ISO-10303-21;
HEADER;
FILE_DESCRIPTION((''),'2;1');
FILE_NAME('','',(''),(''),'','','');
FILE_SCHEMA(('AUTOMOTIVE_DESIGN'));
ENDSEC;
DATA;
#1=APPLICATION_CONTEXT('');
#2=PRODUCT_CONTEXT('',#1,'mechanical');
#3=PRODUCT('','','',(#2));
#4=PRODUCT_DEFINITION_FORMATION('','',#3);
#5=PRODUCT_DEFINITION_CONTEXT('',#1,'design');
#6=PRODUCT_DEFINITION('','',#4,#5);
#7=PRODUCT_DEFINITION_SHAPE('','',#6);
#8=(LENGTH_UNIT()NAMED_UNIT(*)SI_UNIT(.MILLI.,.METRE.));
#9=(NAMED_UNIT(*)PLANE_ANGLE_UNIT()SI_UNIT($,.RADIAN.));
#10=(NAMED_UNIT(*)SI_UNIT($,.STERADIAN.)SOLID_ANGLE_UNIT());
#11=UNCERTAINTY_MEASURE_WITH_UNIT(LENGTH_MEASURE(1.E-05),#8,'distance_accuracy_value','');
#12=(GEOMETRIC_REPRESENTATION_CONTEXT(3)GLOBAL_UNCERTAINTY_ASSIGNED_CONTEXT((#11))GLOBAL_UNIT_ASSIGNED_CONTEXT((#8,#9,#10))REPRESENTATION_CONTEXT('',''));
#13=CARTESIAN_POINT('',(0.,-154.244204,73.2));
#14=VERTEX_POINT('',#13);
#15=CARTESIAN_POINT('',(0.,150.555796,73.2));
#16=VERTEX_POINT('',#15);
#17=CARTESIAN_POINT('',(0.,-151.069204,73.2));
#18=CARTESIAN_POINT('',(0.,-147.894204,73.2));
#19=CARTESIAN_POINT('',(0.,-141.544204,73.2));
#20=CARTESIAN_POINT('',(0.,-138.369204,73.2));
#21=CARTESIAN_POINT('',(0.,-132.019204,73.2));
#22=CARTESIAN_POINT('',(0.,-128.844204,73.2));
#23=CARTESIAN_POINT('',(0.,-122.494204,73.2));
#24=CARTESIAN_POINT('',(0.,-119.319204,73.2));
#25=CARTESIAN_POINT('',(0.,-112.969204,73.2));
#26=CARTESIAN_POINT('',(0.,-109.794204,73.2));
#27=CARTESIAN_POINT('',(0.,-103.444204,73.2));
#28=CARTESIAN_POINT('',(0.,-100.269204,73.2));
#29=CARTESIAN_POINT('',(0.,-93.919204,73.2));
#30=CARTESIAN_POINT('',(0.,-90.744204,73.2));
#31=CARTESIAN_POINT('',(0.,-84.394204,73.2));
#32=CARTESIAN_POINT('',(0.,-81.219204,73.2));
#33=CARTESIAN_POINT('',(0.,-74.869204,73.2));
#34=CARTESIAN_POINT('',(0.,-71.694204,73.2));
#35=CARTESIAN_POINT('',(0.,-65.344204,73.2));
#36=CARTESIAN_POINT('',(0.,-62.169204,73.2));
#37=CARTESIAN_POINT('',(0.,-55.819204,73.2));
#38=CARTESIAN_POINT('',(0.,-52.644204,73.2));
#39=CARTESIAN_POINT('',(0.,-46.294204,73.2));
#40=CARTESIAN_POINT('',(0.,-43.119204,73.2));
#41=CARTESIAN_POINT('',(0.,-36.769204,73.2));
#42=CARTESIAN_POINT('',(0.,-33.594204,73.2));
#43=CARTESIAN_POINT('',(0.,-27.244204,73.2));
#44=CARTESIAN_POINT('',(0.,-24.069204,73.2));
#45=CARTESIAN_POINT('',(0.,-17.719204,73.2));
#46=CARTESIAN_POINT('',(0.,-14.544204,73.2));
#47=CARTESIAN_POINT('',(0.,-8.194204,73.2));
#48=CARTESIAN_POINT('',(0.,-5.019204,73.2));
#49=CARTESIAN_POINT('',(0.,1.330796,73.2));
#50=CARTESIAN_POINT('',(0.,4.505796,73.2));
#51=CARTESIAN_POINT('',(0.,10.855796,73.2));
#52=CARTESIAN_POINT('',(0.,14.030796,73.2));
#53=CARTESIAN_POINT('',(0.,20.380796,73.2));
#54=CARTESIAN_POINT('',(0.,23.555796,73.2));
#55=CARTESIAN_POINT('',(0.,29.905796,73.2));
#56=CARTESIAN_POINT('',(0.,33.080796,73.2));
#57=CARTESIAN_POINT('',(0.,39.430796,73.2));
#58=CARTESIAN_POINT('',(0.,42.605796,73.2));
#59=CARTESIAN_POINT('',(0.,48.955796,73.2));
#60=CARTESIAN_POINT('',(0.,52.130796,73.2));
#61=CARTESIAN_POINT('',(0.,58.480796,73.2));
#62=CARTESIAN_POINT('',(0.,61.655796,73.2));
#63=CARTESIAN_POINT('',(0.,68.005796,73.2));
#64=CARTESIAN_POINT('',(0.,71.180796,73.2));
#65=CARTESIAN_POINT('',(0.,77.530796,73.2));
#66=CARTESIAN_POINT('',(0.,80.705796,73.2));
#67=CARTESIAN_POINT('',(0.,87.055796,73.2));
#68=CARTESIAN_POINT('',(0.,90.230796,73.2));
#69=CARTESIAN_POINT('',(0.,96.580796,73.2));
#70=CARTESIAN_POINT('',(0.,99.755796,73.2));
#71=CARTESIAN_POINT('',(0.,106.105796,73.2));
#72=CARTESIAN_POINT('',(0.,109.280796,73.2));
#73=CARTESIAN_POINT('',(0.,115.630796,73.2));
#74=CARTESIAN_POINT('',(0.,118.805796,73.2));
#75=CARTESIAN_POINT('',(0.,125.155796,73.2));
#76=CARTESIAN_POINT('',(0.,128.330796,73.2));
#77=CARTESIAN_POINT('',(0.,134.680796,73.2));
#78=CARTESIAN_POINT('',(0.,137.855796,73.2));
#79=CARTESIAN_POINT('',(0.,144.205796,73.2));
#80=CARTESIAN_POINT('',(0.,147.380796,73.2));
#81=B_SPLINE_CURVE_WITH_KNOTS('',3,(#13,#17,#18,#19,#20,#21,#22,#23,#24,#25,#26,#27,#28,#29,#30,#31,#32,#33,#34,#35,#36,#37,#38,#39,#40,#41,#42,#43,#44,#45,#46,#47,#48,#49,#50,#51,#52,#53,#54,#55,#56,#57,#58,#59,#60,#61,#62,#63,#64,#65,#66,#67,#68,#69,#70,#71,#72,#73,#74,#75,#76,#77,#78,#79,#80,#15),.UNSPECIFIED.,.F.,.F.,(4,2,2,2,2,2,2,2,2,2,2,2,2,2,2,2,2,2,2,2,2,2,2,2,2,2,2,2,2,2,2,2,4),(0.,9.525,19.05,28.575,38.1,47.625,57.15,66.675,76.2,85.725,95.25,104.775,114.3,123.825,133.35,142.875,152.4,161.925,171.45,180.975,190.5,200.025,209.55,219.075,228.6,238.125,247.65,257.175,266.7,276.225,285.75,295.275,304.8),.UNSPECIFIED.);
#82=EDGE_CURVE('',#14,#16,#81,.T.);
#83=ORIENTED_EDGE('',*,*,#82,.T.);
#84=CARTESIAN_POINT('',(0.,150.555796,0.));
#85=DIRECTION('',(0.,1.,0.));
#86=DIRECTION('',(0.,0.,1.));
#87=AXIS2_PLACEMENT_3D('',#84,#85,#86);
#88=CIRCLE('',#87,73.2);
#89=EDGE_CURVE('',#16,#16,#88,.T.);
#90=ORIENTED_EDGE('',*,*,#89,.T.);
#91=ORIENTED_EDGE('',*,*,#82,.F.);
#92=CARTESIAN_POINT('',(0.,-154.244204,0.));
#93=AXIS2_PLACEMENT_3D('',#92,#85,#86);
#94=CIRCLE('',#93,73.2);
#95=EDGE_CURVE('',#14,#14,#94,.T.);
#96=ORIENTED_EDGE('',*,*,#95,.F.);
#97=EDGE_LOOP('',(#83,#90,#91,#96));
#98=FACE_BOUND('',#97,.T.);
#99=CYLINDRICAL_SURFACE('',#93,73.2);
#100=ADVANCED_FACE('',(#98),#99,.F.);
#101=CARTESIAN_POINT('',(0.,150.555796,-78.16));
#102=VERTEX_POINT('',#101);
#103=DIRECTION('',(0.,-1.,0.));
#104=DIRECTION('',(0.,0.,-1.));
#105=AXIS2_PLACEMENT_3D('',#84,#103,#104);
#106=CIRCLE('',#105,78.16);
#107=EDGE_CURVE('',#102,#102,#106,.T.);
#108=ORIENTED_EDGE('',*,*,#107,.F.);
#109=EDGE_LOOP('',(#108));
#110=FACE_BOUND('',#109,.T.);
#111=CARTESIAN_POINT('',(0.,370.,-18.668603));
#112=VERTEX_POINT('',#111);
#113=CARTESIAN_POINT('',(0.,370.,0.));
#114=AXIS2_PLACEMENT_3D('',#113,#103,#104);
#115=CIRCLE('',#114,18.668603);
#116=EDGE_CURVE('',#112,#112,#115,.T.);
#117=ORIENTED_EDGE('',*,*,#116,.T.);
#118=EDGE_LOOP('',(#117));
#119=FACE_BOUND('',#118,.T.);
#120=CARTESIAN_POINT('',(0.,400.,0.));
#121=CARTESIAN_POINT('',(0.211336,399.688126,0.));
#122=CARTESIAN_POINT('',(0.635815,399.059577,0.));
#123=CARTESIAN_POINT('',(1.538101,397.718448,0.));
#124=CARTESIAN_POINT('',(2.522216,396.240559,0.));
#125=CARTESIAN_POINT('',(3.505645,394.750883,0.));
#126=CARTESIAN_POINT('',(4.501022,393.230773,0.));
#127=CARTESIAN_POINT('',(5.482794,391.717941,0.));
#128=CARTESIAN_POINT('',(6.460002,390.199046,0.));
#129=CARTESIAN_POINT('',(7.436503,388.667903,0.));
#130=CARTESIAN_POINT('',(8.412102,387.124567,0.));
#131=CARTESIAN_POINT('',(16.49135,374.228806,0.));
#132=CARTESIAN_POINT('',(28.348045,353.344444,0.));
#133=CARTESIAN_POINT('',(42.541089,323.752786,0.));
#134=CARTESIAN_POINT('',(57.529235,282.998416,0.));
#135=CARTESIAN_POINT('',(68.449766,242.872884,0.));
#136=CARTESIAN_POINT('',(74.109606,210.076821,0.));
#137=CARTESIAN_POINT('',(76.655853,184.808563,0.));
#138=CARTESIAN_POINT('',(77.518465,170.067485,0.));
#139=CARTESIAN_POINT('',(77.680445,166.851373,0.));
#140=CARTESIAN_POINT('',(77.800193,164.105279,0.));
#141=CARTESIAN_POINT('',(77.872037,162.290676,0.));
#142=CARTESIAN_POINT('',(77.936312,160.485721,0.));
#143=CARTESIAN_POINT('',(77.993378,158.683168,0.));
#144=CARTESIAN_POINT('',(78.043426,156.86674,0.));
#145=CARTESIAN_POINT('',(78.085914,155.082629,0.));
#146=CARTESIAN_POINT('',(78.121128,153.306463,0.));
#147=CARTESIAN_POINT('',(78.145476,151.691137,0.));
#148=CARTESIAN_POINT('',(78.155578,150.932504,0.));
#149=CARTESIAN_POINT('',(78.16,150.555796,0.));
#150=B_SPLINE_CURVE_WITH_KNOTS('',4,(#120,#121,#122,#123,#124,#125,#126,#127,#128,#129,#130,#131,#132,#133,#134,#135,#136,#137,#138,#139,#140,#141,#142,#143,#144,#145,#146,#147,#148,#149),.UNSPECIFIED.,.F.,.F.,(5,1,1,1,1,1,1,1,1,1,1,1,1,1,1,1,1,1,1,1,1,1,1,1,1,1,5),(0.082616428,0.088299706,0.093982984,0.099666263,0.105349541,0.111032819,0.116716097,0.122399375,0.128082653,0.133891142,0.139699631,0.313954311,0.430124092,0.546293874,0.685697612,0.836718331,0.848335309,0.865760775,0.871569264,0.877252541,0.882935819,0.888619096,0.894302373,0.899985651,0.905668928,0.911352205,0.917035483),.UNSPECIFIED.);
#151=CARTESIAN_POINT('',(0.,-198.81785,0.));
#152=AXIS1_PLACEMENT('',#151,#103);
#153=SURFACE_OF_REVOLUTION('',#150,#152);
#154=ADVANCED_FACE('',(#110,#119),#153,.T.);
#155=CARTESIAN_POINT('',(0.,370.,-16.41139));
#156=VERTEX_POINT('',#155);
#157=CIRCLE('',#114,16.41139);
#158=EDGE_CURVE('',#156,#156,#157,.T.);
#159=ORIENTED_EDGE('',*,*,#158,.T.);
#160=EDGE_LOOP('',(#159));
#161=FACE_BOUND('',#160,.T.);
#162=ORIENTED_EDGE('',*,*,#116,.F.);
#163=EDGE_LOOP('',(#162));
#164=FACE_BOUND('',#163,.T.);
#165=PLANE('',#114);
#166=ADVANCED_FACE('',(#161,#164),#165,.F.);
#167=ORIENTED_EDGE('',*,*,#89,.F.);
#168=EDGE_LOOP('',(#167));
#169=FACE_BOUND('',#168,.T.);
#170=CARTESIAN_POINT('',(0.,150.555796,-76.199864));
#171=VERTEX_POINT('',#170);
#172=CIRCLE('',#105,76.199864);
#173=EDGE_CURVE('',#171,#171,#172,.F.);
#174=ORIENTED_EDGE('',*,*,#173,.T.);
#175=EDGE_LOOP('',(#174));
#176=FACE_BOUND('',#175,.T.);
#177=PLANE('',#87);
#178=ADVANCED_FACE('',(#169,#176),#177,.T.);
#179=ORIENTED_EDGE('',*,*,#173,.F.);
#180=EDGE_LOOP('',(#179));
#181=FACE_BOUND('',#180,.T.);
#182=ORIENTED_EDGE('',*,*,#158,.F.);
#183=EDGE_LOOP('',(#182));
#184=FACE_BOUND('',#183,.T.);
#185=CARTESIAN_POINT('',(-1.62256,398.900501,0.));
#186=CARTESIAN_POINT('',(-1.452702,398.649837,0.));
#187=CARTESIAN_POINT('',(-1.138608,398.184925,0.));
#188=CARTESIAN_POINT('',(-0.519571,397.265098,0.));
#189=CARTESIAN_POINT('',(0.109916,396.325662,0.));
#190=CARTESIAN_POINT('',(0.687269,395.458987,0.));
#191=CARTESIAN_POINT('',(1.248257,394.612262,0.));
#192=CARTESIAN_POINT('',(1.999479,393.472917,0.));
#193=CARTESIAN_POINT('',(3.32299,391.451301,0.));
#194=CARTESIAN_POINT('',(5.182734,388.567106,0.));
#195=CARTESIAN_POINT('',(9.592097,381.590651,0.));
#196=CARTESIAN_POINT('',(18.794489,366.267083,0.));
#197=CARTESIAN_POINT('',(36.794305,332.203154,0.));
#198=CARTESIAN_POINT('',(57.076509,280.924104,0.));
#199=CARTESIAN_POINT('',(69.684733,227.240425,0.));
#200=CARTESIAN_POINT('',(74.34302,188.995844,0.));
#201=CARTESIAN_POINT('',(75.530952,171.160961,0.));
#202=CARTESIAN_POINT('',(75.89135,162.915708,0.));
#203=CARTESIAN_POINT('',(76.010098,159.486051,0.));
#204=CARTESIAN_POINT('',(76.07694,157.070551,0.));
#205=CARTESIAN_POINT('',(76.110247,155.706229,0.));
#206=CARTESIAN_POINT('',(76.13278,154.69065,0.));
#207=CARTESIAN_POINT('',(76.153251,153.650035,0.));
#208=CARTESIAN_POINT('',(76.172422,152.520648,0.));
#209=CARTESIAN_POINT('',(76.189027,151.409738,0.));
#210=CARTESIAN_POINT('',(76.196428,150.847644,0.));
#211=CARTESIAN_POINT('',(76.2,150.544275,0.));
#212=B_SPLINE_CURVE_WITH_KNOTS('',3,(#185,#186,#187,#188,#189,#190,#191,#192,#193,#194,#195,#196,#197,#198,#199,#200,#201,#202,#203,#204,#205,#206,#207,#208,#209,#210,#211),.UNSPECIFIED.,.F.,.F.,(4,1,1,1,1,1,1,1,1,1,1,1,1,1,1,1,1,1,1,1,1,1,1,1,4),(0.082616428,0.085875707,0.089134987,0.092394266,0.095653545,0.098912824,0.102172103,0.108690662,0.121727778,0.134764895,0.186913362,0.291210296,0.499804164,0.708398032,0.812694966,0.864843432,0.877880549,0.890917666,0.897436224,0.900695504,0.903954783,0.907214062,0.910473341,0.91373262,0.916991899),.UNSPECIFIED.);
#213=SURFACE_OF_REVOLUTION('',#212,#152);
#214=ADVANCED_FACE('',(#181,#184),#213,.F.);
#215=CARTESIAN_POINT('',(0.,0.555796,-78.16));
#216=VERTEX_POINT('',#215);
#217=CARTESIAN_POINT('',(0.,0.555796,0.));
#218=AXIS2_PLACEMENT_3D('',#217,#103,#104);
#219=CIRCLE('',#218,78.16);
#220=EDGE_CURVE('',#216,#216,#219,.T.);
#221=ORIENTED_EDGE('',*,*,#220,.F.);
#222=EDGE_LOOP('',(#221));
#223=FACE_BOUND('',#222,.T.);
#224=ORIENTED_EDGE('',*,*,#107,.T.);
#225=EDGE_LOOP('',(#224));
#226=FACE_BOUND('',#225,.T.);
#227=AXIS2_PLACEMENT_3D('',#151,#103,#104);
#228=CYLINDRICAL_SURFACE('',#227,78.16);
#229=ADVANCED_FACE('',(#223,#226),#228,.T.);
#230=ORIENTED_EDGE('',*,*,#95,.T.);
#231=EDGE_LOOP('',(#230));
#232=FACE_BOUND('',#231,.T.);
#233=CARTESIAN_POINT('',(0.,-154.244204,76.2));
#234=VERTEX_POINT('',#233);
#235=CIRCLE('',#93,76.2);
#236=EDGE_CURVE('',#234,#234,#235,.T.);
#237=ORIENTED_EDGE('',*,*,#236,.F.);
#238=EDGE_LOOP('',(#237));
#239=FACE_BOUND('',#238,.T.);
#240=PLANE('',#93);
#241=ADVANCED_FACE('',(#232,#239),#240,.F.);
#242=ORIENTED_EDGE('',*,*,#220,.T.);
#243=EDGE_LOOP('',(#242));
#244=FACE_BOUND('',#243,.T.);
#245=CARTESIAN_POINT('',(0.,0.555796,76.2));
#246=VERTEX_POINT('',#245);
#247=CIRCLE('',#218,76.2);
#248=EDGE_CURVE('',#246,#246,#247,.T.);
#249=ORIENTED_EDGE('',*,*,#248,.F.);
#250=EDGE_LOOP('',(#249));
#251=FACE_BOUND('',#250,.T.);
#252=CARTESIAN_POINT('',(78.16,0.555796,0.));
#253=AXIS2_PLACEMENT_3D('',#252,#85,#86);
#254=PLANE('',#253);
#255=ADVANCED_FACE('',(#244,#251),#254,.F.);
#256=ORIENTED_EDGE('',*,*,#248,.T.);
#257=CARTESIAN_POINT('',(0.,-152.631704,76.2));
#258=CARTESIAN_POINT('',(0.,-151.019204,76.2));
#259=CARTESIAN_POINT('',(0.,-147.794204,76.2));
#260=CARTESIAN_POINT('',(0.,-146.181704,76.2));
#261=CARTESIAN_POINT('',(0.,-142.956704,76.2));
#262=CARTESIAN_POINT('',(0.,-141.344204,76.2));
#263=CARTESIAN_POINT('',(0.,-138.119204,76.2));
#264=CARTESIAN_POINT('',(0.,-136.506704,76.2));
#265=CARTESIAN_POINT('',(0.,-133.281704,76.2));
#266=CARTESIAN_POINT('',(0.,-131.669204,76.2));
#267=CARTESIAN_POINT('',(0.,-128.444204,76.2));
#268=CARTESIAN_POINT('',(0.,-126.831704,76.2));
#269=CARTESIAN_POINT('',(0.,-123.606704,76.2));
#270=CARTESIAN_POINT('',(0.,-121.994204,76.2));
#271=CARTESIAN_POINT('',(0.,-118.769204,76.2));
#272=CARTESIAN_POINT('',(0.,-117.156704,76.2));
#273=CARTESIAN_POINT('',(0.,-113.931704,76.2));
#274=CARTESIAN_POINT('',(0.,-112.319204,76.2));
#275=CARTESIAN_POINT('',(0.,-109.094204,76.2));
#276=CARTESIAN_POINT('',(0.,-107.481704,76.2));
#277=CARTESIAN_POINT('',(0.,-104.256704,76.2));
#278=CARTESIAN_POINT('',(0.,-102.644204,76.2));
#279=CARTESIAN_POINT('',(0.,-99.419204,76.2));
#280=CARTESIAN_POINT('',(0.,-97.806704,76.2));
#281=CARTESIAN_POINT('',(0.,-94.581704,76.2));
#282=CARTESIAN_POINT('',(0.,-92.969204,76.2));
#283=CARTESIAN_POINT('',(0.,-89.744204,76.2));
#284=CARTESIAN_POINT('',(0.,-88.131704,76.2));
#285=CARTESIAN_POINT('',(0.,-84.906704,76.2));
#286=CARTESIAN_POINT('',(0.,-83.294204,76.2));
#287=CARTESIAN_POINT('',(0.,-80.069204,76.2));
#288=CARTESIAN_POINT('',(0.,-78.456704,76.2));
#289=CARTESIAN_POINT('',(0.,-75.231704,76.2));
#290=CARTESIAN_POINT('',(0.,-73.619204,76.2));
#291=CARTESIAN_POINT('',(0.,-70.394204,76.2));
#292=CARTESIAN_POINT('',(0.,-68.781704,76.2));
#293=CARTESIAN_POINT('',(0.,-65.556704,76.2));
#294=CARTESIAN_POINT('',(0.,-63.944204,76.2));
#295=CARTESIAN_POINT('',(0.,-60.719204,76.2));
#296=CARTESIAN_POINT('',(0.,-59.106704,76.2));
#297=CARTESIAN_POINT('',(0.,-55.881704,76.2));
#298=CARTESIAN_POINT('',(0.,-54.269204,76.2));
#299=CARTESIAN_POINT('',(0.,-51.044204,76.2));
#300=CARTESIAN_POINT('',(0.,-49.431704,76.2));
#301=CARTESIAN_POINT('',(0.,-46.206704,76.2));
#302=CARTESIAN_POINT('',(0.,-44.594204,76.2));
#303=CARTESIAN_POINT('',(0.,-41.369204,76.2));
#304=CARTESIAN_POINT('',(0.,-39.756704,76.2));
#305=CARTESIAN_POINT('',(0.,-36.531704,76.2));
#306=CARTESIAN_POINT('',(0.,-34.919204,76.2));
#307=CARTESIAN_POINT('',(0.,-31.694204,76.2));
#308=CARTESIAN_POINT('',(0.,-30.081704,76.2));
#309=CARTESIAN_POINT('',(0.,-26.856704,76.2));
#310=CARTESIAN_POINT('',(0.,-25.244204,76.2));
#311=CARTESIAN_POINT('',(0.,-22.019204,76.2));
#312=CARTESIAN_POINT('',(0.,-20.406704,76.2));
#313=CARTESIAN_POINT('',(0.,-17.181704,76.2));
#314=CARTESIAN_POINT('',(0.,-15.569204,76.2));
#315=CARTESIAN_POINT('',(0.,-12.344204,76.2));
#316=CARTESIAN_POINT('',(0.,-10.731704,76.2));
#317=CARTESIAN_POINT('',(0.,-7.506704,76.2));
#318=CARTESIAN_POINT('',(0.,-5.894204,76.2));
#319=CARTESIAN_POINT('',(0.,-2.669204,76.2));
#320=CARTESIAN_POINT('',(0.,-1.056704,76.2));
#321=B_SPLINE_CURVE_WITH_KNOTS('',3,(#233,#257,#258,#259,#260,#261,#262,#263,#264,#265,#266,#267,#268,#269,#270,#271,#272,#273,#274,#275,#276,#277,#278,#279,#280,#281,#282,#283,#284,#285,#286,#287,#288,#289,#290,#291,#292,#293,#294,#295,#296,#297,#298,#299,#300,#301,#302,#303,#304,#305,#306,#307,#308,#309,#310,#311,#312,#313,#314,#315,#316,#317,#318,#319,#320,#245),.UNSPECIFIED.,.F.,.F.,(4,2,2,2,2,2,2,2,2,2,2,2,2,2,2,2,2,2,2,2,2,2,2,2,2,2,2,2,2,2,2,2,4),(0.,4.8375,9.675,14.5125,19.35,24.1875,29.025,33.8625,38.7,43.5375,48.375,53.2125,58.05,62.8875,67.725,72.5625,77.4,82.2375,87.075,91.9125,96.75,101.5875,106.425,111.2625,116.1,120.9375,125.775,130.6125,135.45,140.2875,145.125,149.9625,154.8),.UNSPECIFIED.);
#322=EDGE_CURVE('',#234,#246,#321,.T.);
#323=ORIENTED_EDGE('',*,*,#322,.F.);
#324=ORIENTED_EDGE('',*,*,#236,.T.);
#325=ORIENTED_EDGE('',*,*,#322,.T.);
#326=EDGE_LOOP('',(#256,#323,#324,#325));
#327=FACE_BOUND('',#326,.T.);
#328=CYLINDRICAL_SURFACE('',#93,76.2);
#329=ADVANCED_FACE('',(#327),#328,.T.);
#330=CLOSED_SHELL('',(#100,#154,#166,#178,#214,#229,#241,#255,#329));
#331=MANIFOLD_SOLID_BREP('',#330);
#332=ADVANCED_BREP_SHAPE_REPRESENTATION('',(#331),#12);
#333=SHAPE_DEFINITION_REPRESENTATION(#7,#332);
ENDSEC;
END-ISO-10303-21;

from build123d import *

# Parameters (mm, degrees)
BOSS_EXTRUDE1_START = -304.8
SKETCH2_R           = 76.2
SKETCH2_R_2         = 73.2
BOSS_EXTRUDE1_DEPTH = 304.8
SKETCH3_R           = 126.460441223
CUT_EXTRUDE1_DEPTH  = 30


with BuildPart() as part:
    # Sketch1 → Revolve3 (revolve)
    with BuildSketch(Plane.XY, mode=Mode.PRIVATE) as revolve3_sk:
        with BuildLine():
            Line((78.16, 0.555796301), (78.16, 150.555796301))
            add(Edge.make_bspline(
                [(0, 400), (0.211335822, 399.688125951), (0.635814895, 399.059576984), (1.538100901, 397.718447682), (2.522216135, 396.240558988), (3.505644669, 394.750882712), (4.501021999, 393.230772914), (5.482794304, 391.717940875), (6.460002487, 390.1990457), (7.436503499, 388.667903295), (8.412102246, 387.124567018), (16.491350088, 374.228806244), (28.348045348, 353.344444451), (42.541088503, 323.752786496), (57.529234868, 282.998416237), (68.449765851, 242.872883661), (74.109605793, 210.076821303), (76.655852831, 184.808563), (77.518465345, 170.067485067), (77.680444963, 166.851372886), (77.80019329, 164.105278722), (77.872037245, 162.29067577), (77.936311693, 160.485721023), (77.993377873, 158.683168323), (78.043426294, 156.866740105), (78.085914262, 155.082628956), (78.121127528, 153.306463123), (78.145475643, 151.691137071), (78.155577952, 150.932503957), (78.16, 150.555796301)],
                knots=[0.082616428, 0.082616428, 0.082616428, 0.082616428, 0.082616428, 0.088299706, 0.093982984, 0.099666263, 0.105349541, 0.111032819, 0.116716097, 0.122399375, 0.128082653, 0.133891142, 0.139699631, 0.313954311, 0.430124092, 0.546293874, 0.685697612, 0.836718331, 0.848335309, 0.865760775, 0.871569264, 0.877252541, 0.882935819, 0.888619096, 0.894302373, 0.899985651, 0.905668928, 0.911352205, 0.917035483, 0.917035483, 0.917035483, 0.917035483, 0.917035483], degree=4))
            Line((0, 400), (0, 396.489212171))
            add(Edge.make_bspline(
                [(0, 396.489212171), (0.033950421, 396.438447854), (0.270297298, 396.084910627), (0.687269239, 395.458986868), (1.248256795, 394.612262217), (1.999478916, 393.472916562), (3.322990367, 391.451301251), (5.182734219, 388.567106013), (9.592096746, 381.590651127), (18.79448878, 366.267083026), (36.794305295, 332.203153979), (57.076508975, 280.924103704), (69.684732597, 227.240425292), (74.343019544, 188.995844434), (75.530951553, 171.160960641), (75.891349594, 162.915707977), (76.010098219, 159.486050775), (76.07694035, 157.070550778), (76.110246707, 155.706228582), (76.132780312, 154.690650434), (76.153251031, 153.650034533), (76.172421756, 152.520648044), (76.189027326, 151.409738144), (76.196427769, 150.847643517), (76.2, 150.54427492)],
                knots=[0.091851146, 0.091851146, 0.091851146, 0.091851146, 0.092394266, 0.095653545, 0.098912824, 0.102172103, 0.108690662, 0.121727778, 0.134764895, 0.186913362, 0.291210296, 0.499804164, 0.708398032, 0.812694966, 0.864843432, 0.877880549, 0.890917666, 0.897436224, 0.900695504, 0.903954783, 0.907214062, 0.910473341, 0.91373262, 0.916991899, 0.916991899, 0.916991899, 0.916991899], degree=3))
            Line((76.2, 150.54427492), (76.2, 0.555796301))
            Line((76.2, 0.555796301), (78.16, 0.555796301))
        make_face()
    revolve(revolve3_sk.sketch.rotate(Axis((0, -198.817850362, 0), (0, -1, 0)), 90), axis=Axis((0, -198.817850362, 0), (0, -1, 0)))

    # Sketch2 → Boss-Extrude1 (add)
    with BuildSketch(Plane(origin=(0, 150.555796301, 0), x_dir=(1, 0, 0), z_dir=(0, 1, 0)).offset(BOSS_EXTRUDE1_START)):
        with Locations(Location((0, 0, 0), (0, 0, 270))):
            Circle(SKETCH2_R)
        with Locations(Location((0, 0, 0), (0, 0, 270))):
            Circle(SKETCH2_R_2, mode=Mode.SUBTRACT)
    extrude(amount=BOSS_EXTRUDE1_DEPTH)

    # Sketch3 → Cut-Extrude1 (cut)
    with BuildSketch(Plane(origin=(0, 400, 0), x_dir=(-1, 0, 0), z_dir=(0, -1, 0))):
        Circle(SKETCH3_R)
    extrude(amount=CUT_EXTRUDE1_DEPTH, mode=Mode.SUBTRACT)


solid = part.part
